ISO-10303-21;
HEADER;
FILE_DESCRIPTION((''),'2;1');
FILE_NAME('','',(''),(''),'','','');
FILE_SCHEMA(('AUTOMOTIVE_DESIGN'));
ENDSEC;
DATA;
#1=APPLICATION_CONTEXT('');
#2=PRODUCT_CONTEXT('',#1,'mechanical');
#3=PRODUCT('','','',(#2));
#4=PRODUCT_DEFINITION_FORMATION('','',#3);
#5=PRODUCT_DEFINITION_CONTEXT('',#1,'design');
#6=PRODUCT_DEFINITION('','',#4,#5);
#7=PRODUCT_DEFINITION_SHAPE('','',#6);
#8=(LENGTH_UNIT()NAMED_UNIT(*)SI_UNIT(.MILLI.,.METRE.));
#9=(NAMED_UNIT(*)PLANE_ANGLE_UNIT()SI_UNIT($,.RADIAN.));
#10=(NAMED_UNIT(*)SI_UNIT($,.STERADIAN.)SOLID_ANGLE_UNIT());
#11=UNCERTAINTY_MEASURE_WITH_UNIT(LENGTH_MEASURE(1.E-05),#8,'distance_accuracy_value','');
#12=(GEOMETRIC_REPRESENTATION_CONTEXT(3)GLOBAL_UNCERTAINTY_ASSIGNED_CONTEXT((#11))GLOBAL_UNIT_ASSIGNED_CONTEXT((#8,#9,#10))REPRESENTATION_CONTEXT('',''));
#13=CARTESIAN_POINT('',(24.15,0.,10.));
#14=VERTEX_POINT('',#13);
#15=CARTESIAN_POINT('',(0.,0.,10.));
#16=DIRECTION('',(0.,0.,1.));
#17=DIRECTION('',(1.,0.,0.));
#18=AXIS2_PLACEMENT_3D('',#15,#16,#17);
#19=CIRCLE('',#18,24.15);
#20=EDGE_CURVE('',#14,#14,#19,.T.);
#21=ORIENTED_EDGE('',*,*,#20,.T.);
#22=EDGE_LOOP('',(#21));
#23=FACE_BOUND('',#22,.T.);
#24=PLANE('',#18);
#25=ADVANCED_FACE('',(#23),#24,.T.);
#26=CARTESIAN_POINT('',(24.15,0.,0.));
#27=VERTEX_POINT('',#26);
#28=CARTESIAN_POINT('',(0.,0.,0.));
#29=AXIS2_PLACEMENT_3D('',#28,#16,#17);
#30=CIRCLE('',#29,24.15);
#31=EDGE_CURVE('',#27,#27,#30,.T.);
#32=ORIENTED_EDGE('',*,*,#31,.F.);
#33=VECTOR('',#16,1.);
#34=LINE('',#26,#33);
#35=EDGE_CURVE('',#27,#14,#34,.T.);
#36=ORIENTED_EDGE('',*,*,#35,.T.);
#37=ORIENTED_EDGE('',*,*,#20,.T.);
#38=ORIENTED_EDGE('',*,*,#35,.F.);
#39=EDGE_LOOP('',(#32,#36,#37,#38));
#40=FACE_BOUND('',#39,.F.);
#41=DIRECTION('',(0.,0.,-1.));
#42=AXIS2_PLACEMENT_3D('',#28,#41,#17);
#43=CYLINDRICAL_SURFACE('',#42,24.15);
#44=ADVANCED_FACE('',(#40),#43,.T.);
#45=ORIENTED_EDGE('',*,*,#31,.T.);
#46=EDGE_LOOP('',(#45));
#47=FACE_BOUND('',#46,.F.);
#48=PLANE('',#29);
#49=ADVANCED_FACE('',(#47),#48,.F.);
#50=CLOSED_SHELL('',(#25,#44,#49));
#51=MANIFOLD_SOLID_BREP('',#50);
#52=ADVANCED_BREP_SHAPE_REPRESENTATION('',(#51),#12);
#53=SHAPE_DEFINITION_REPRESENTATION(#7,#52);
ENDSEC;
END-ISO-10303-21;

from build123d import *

# Parameters (mm, degrees)
SKETCH_R  = 24.15
PAD_DEPTH = 10


with BuildPart() as part:
    # Sketch → Pad (new body)
    with BuildSketch(Plane.XY):
        Circle(SKETCH_R)
    extrude(amount=PAD_DEPTH)


solid = part.part
